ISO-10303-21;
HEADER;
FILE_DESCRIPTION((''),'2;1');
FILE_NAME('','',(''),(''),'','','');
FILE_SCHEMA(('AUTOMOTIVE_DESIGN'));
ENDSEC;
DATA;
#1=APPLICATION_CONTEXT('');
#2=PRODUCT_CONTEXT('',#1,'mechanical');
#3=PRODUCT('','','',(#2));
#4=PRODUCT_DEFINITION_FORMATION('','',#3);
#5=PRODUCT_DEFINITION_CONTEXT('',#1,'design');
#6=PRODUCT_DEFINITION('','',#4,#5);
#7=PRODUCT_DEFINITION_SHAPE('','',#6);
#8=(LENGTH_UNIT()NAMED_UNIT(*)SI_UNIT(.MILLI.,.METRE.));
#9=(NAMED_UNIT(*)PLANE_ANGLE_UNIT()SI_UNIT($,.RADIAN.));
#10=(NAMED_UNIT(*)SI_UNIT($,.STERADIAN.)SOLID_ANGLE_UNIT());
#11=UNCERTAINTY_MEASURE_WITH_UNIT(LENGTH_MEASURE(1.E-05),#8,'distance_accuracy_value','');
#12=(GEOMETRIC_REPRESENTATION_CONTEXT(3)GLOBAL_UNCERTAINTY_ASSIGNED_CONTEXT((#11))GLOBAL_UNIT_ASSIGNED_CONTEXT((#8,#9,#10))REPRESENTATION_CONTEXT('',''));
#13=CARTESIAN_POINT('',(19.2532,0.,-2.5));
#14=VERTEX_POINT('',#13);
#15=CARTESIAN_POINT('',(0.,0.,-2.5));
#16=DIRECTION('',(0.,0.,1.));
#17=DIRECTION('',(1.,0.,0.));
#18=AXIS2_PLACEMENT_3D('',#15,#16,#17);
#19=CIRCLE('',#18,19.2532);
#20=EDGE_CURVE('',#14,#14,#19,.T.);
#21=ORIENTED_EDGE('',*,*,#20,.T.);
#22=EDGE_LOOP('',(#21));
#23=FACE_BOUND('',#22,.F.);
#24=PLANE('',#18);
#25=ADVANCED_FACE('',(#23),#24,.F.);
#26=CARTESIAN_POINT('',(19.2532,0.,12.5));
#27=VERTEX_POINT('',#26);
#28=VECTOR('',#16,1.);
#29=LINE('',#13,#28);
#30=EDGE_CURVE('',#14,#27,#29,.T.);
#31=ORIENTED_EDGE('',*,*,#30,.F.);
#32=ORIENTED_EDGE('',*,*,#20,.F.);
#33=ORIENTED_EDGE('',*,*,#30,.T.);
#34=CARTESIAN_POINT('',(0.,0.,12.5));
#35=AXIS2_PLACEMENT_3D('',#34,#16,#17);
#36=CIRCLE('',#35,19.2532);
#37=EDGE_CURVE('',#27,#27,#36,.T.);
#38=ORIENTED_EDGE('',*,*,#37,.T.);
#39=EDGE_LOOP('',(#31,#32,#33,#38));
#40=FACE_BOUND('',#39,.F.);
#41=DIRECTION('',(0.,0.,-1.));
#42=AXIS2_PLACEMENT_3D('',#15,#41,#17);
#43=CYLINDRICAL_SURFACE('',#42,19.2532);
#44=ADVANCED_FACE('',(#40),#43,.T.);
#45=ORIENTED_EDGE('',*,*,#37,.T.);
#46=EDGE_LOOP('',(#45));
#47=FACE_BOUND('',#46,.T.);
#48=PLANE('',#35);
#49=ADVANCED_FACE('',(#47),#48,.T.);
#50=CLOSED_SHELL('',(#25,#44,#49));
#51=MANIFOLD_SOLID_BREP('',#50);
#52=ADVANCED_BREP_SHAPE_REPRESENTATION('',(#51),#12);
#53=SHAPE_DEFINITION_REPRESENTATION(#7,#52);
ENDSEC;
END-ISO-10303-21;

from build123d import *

# Parameters (mm, degrees)
CYLINDER_R     = 19.2532
CYLINDER_DEPTH = 15


with BuildPart() as part:
    # Cylinder → Cylinder (new body)
    with BuildSketch(Plane.XY.offset(-2.5)):
        Circle(CYLINDER_R)
    extrude(amount=CYLINDER_DEPTH)


solid = part.part
